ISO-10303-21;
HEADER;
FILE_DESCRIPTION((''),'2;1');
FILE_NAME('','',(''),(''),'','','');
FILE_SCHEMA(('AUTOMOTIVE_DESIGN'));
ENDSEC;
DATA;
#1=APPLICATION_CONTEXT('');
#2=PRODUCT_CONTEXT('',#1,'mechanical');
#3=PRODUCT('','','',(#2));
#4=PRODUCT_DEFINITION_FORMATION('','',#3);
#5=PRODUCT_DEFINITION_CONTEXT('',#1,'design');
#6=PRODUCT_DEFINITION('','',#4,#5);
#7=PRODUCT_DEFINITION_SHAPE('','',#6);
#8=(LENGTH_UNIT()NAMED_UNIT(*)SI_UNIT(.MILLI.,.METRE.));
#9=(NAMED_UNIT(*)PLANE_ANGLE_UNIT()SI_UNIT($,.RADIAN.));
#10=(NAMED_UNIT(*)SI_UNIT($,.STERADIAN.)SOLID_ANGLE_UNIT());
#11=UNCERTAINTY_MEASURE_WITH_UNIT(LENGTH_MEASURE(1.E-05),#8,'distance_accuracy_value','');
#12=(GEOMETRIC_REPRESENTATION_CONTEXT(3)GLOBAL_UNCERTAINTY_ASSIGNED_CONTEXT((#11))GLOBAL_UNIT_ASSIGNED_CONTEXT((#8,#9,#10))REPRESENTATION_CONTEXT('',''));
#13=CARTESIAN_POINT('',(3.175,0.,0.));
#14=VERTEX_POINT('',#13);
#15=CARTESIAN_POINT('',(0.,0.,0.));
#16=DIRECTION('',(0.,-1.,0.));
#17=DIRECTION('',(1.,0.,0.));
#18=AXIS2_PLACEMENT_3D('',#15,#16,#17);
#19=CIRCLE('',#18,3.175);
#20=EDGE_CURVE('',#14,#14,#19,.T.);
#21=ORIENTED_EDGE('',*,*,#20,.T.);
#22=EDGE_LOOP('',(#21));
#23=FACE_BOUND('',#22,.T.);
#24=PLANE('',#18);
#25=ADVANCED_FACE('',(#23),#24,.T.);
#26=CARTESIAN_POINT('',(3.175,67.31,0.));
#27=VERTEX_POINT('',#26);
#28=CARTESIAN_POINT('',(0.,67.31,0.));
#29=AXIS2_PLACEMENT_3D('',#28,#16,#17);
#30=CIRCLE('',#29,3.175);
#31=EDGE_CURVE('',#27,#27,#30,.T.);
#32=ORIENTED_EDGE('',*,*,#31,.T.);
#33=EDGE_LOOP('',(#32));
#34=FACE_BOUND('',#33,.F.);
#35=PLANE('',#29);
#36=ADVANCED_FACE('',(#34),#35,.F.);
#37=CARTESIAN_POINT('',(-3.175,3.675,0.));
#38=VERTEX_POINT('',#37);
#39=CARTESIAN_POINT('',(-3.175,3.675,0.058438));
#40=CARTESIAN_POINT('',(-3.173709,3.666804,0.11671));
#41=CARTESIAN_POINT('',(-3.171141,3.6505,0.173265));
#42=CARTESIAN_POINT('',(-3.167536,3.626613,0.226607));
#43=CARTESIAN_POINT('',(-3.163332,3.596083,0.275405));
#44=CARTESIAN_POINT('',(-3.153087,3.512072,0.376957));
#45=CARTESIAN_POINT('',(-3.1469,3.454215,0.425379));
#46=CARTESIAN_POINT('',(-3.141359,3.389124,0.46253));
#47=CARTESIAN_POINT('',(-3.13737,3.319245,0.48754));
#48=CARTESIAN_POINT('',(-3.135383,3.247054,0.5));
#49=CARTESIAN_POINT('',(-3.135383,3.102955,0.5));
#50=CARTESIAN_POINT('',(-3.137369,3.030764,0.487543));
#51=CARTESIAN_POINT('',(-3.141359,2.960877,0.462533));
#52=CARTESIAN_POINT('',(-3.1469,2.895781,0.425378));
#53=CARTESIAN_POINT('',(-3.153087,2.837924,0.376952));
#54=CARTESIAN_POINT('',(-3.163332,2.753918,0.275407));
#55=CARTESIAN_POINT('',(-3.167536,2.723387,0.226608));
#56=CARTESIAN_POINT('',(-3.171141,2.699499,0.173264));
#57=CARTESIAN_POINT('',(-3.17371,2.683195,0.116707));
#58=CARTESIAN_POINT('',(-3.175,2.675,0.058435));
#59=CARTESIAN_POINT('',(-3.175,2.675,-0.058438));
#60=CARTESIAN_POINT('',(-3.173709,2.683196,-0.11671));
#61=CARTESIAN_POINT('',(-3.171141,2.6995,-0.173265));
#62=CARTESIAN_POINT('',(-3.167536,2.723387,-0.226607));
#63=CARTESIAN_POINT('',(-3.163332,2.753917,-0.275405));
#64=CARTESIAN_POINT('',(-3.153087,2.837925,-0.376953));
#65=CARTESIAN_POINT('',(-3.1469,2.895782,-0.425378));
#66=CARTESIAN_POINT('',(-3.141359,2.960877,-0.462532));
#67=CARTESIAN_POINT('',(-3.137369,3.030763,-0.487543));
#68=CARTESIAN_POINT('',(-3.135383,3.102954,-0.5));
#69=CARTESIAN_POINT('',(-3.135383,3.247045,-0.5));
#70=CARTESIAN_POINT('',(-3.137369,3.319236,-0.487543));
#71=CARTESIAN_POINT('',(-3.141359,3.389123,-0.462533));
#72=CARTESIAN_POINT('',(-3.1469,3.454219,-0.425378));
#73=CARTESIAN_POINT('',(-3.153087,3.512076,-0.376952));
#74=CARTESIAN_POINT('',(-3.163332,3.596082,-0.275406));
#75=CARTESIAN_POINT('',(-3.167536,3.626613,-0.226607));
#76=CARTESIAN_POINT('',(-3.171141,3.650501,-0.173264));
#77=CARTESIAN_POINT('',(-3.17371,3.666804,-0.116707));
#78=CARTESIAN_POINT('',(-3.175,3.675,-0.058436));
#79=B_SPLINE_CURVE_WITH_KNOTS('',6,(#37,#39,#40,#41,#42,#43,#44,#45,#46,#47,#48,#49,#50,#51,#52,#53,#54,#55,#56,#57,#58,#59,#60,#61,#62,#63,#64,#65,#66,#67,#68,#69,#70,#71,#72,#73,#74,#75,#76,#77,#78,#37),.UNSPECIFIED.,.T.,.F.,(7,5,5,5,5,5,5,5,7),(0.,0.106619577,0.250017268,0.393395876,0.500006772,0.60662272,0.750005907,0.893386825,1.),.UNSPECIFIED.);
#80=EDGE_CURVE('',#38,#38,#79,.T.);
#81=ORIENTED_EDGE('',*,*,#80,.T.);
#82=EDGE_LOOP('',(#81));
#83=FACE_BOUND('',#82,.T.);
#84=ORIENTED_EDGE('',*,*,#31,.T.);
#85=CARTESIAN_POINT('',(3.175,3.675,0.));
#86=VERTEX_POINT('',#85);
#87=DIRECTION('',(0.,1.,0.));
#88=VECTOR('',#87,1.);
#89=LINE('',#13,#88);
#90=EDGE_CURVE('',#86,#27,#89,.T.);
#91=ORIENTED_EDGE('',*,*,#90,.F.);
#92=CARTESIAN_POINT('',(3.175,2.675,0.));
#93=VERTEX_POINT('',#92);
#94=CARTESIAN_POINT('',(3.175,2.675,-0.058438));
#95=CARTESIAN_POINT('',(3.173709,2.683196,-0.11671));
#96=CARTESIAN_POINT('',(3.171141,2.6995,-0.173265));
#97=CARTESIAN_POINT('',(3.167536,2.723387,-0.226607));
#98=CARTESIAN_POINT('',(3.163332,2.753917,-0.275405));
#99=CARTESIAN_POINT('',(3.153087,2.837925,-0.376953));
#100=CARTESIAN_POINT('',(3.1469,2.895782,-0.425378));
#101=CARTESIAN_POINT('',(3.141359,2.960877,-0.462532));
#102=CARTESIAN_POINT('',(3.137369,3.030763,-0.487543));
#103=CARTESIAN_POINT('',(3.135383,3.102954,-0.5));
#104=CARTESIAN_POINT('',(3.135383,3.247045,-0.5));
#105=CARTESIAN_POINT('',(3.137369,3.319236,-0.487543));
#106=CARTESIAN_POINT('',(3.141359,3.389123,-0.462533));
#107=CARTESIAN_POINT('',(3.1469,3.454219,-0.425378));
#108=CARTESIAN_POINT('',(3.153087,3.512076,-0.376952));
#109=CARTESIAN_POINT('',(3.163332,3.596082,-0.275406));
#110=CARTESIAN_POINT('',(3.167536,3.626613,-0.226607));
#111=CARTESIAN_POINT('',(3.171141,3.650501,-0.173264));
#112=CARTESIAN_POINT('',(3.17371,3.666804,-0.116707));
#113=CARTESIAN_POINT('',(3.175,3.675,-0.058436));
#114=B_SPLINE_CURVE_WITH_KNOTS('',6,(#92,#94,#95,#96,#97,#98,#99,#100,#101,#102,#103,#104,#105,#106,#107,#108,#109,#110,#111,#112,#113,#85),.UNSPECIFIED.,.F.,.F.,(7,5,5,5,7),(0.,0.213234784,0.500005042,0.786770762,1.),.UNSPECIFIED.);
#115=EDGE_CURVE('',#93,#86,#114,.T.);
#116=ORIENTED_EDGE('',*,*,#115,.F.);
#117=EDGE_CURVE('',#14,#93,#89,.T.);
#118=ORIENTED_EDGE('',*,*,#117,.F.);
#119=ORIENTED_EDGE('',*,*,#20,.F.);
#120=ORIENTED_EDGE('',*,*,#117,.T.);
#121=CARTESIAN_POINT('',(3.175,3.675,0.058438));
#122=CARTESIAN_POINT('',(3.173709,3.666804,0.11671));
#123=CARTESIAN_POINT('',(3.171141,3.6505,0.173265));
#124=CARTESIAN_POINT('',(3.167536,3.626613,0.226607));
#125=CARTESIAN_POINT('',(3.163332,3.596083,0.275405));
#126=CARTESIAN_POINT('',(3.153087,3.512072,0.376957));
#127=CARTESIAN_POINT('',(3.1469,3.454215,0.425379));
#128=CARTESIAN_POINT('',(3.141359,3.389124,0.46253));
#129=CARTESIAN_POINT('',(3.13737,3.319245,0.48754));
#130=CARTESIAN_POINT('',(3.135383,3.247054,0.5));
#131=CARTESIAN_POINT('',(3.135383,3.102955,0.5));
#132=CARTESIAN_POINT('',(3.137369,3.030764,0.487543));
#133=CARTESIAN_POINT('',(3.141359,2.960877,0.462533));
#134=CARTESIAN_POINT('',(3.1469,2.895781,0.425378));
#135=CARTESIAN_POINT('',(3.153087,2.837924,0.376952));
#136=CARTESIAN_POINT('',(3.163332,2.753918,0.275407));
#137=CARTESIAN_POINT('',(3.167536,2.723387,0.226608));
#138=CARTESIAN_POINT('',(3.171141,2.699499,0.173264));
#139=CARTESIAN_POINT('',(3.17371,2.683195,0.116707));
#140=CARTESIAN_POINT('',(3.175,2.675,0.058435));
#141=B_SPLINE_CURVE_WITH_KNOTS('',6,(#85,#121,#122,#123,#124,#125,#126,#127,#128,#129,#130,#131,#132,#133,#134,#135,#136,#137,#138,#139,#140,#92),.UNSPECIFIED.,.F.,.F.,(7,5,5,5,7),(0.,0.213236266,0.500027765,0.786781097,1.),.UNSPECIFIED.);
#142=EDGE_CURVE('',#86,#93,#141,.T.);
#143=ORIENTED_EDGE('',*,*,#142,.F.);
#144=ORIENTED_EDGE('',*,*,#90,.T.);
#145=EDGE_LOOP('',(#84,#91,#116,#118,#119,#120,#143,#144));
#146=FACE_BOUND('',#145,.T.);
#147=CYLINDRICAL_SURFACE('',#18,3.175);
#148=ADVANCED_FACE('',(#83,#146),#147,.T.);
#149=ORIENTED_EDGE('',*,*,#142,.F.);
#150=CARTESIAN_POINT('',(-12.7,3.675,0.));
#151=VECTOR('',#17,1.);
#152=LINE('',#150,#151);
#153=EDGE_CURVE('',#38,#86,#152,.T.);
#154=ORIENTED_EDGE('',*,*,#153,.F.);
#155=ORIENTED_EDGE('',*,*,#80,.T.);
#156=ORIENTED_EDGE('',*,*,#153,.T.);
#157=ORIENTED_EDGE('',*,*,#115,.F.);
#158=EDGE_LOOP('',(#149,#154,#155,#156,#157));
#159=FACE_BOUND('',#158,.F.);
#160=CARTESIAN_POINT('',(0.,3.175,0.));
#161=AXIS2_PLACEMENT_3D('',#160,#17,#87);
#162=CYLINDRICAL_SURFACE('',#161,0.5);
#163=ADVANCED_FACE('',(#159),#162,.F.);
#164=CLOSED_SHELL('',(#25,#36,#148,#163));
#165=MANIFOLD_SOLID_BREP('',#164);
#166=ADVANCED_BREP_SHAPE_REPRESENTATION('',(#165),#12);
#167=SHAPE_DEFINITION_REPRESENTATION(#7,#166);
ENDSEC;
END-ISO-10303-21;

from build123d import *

# Parameters (mm, degrees)
F0_R     = 3.175
F1_DEPTH = 67.31
F2_R     = 0.5
F3_DEPTH = 12.7


with BuildPart() as f1:
    # F0 (on Front) → F1 (new body)
    with BuildSketch(Plane.XZ):
        Circle(F0_R)
    extrude(amount=-F1_DEPTH)

    # F2 (on Right) → F3 (cut, symmetric)
    with BuildSketch(Plane.YZ):
        with Locations((3.175, 0)):
            Circle(F2_R)
    extrude(amount=F3_DEPTH, both=True, mode=Mode.SUBTRACT)


solid = f1.part
